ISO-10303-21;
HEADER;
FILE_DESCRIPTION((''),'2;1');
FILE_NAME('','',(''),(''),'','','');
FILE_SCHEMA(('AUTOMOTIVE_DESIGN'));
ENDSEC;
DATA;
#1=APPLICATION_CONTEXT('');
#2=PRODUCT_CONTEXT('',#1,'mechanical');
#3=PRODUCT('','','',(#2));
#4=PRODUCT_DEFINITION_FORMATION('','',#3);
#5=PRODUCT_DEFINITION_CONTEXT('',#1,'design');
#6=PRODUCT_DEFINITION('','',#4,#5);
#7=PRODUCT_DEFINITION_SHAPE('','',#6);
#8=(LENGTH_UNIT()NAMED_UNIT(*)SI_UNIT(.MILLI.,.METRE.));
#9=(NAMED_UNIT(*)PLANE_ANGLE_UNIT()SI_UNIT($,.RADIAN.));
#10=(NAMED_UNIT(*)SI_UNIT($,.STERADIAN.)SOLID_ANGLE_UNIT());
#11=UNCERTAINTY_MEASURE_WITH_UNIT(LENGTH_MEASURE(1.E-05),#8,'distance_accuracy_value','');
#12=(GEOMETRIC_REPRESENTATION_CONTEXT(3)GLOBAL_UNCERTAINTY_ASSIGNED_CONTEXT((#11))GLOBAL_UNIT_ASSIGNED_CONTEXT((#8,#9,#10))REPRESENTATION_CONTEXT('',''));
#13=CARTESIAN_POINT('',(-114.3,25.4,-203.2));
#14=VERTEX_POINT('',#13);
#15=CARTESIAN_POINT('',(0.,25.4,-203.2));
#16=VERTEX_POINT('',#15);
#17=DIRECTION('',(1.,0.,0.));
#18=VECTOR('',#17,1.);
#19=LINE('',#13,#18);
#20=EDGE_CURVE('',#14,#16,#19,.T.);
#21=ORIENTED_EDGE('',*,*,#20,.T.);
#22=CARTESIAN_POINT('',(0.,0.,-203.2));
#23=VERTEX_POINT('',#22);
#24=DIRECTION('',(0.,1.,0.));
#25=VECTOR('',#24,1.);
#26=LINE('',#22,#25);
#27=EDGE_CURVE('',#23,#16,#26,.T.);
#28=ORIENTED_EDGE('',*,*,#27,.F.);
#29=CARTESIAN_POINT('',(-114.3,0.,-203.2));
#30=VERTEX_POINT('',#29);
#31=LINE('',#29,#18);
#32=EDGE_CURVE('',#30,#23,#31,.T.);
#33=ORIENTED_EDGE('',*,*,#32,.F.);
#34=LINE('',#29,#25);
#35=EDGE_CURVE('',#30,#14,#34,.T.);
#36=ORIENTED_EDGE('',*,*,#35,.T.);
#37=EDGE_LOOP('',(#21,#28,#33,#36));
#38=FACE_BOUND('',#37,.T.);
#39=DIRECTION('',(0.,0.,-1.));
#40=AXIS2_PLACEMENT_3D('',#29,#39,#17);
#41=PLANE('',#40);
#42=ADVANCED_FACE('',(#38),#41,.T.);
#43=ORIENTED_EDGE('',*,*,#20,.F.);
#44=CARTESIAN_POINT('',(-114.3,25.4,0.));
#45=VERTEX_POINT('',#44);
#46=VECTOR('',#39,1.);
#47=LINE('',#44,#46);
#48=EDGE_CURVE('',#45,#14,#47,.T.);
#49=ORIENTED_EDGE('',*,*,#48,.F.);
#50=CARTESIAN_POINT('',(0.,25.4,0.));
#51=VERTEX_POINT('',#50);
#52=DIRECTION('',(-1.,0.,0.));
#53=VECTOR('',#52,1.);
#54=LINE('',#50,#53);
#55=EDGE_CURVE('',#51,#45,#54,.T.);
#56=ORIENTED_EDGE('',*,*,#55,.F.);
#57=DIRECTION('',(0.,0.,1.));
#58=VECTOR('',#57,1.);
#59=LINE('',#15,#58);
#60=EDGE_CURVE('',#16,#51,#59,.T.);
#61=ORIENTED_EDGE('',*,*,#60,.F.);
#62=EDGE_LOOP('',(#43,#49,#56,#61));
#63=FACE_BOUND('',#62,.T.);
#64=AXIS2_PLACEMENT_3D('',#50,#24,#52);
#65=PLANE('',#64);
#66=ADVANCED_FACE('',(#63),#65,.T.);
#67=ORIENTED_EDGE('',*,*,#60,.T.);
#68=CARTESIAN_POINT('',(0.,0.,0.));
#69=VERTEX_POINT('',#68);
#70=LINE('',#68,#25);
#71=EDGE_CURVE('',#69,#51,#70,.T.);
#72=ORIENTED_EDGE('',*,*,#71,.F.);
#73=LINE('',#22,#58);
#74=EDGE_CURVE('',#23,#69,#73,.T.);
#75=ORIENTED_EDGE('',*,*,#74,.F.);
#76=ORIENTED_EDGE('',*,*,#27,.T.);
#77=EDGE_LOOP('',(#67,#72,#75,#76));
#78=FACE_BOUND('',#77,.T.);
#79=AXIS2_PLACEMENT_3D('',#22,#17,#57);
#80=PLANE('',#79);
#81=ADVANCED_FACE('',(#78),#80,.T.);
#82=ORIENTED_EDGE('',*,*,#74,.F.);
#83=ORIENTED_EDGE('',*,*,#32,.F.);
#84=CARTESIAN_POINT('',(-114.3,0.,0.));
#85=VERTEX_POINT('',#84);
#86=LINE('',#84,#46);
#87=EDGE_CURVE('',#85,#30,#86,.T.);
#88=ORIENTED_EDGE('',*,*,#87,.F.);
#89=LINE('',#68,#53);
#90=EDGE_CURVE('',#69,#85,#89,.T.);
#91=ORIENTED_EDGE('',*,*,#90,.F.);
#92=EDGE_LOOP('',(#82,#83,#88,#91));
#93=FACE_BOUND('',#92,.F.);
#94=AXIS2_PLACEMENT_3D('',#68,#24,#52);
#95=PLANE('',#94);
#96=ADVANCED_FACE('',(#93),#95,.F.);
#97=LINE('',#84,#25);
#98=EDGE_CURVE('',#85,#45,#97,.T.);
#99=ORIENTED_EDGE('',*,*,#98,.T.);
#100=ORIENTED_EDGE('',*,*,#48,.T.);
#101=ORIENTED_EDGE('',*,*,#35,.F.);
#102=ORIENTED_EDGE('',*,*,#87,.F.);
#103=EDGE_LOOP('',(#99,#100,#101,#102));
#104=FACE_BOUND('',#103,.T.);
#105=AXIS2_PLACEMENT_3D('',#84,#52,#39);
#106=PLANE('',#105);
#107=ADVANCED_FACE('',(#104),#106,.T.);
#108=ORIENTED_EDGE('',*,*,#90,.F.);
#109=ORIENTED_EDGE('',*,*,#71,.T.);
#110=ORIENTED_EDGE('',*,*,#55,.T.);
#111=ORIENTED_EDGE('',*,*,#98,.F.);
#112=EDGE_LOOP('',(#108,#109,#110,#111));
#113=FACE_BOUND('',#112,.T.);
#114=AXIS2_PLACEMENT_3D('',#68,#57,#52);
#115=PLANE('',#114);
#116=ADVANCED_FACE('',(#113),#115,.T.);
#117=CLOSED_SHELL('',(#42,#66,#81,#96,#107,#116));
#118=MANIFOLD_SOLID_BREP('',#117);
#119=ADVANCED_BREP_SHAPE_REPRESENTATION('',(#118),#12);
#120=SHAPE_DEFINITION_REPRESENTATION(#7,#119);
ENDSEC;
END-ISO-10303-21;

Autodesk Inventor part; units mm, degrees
ref_plane "YZ Plane" through (0, 0, 0) normal (1, 0, 0) x (0, 1, 0)
ref_plane "XZ Plane" through (0, 0, 0) normal (0, 1, 0) x (-1, 0, 0)
ref_plane "XY Plane" through (0, 0, 0) normal (0, 0, 1) x (1, 0, 0)
sketch "Sketch1" plane through (0, 0, 0) normal (0, 1, 0) x (-1, 0, 0)
  line L0 (0, 0) -> (114.3, 0)
  line L1 (114.3, 0) -> (114.3, -203.2)
  line L2 (114.3, -203.2) -> (0, -203.2)
  line L3 (0, -203.2) -> (0, 0)
  dimension "d0" = 203.2
  dimension "d1" = 114.3
extrude "Extrusion1" add sketch "Sketch1" along normal blind 25.4
properties part number "PowerSupply" material "Stainless Steel"
